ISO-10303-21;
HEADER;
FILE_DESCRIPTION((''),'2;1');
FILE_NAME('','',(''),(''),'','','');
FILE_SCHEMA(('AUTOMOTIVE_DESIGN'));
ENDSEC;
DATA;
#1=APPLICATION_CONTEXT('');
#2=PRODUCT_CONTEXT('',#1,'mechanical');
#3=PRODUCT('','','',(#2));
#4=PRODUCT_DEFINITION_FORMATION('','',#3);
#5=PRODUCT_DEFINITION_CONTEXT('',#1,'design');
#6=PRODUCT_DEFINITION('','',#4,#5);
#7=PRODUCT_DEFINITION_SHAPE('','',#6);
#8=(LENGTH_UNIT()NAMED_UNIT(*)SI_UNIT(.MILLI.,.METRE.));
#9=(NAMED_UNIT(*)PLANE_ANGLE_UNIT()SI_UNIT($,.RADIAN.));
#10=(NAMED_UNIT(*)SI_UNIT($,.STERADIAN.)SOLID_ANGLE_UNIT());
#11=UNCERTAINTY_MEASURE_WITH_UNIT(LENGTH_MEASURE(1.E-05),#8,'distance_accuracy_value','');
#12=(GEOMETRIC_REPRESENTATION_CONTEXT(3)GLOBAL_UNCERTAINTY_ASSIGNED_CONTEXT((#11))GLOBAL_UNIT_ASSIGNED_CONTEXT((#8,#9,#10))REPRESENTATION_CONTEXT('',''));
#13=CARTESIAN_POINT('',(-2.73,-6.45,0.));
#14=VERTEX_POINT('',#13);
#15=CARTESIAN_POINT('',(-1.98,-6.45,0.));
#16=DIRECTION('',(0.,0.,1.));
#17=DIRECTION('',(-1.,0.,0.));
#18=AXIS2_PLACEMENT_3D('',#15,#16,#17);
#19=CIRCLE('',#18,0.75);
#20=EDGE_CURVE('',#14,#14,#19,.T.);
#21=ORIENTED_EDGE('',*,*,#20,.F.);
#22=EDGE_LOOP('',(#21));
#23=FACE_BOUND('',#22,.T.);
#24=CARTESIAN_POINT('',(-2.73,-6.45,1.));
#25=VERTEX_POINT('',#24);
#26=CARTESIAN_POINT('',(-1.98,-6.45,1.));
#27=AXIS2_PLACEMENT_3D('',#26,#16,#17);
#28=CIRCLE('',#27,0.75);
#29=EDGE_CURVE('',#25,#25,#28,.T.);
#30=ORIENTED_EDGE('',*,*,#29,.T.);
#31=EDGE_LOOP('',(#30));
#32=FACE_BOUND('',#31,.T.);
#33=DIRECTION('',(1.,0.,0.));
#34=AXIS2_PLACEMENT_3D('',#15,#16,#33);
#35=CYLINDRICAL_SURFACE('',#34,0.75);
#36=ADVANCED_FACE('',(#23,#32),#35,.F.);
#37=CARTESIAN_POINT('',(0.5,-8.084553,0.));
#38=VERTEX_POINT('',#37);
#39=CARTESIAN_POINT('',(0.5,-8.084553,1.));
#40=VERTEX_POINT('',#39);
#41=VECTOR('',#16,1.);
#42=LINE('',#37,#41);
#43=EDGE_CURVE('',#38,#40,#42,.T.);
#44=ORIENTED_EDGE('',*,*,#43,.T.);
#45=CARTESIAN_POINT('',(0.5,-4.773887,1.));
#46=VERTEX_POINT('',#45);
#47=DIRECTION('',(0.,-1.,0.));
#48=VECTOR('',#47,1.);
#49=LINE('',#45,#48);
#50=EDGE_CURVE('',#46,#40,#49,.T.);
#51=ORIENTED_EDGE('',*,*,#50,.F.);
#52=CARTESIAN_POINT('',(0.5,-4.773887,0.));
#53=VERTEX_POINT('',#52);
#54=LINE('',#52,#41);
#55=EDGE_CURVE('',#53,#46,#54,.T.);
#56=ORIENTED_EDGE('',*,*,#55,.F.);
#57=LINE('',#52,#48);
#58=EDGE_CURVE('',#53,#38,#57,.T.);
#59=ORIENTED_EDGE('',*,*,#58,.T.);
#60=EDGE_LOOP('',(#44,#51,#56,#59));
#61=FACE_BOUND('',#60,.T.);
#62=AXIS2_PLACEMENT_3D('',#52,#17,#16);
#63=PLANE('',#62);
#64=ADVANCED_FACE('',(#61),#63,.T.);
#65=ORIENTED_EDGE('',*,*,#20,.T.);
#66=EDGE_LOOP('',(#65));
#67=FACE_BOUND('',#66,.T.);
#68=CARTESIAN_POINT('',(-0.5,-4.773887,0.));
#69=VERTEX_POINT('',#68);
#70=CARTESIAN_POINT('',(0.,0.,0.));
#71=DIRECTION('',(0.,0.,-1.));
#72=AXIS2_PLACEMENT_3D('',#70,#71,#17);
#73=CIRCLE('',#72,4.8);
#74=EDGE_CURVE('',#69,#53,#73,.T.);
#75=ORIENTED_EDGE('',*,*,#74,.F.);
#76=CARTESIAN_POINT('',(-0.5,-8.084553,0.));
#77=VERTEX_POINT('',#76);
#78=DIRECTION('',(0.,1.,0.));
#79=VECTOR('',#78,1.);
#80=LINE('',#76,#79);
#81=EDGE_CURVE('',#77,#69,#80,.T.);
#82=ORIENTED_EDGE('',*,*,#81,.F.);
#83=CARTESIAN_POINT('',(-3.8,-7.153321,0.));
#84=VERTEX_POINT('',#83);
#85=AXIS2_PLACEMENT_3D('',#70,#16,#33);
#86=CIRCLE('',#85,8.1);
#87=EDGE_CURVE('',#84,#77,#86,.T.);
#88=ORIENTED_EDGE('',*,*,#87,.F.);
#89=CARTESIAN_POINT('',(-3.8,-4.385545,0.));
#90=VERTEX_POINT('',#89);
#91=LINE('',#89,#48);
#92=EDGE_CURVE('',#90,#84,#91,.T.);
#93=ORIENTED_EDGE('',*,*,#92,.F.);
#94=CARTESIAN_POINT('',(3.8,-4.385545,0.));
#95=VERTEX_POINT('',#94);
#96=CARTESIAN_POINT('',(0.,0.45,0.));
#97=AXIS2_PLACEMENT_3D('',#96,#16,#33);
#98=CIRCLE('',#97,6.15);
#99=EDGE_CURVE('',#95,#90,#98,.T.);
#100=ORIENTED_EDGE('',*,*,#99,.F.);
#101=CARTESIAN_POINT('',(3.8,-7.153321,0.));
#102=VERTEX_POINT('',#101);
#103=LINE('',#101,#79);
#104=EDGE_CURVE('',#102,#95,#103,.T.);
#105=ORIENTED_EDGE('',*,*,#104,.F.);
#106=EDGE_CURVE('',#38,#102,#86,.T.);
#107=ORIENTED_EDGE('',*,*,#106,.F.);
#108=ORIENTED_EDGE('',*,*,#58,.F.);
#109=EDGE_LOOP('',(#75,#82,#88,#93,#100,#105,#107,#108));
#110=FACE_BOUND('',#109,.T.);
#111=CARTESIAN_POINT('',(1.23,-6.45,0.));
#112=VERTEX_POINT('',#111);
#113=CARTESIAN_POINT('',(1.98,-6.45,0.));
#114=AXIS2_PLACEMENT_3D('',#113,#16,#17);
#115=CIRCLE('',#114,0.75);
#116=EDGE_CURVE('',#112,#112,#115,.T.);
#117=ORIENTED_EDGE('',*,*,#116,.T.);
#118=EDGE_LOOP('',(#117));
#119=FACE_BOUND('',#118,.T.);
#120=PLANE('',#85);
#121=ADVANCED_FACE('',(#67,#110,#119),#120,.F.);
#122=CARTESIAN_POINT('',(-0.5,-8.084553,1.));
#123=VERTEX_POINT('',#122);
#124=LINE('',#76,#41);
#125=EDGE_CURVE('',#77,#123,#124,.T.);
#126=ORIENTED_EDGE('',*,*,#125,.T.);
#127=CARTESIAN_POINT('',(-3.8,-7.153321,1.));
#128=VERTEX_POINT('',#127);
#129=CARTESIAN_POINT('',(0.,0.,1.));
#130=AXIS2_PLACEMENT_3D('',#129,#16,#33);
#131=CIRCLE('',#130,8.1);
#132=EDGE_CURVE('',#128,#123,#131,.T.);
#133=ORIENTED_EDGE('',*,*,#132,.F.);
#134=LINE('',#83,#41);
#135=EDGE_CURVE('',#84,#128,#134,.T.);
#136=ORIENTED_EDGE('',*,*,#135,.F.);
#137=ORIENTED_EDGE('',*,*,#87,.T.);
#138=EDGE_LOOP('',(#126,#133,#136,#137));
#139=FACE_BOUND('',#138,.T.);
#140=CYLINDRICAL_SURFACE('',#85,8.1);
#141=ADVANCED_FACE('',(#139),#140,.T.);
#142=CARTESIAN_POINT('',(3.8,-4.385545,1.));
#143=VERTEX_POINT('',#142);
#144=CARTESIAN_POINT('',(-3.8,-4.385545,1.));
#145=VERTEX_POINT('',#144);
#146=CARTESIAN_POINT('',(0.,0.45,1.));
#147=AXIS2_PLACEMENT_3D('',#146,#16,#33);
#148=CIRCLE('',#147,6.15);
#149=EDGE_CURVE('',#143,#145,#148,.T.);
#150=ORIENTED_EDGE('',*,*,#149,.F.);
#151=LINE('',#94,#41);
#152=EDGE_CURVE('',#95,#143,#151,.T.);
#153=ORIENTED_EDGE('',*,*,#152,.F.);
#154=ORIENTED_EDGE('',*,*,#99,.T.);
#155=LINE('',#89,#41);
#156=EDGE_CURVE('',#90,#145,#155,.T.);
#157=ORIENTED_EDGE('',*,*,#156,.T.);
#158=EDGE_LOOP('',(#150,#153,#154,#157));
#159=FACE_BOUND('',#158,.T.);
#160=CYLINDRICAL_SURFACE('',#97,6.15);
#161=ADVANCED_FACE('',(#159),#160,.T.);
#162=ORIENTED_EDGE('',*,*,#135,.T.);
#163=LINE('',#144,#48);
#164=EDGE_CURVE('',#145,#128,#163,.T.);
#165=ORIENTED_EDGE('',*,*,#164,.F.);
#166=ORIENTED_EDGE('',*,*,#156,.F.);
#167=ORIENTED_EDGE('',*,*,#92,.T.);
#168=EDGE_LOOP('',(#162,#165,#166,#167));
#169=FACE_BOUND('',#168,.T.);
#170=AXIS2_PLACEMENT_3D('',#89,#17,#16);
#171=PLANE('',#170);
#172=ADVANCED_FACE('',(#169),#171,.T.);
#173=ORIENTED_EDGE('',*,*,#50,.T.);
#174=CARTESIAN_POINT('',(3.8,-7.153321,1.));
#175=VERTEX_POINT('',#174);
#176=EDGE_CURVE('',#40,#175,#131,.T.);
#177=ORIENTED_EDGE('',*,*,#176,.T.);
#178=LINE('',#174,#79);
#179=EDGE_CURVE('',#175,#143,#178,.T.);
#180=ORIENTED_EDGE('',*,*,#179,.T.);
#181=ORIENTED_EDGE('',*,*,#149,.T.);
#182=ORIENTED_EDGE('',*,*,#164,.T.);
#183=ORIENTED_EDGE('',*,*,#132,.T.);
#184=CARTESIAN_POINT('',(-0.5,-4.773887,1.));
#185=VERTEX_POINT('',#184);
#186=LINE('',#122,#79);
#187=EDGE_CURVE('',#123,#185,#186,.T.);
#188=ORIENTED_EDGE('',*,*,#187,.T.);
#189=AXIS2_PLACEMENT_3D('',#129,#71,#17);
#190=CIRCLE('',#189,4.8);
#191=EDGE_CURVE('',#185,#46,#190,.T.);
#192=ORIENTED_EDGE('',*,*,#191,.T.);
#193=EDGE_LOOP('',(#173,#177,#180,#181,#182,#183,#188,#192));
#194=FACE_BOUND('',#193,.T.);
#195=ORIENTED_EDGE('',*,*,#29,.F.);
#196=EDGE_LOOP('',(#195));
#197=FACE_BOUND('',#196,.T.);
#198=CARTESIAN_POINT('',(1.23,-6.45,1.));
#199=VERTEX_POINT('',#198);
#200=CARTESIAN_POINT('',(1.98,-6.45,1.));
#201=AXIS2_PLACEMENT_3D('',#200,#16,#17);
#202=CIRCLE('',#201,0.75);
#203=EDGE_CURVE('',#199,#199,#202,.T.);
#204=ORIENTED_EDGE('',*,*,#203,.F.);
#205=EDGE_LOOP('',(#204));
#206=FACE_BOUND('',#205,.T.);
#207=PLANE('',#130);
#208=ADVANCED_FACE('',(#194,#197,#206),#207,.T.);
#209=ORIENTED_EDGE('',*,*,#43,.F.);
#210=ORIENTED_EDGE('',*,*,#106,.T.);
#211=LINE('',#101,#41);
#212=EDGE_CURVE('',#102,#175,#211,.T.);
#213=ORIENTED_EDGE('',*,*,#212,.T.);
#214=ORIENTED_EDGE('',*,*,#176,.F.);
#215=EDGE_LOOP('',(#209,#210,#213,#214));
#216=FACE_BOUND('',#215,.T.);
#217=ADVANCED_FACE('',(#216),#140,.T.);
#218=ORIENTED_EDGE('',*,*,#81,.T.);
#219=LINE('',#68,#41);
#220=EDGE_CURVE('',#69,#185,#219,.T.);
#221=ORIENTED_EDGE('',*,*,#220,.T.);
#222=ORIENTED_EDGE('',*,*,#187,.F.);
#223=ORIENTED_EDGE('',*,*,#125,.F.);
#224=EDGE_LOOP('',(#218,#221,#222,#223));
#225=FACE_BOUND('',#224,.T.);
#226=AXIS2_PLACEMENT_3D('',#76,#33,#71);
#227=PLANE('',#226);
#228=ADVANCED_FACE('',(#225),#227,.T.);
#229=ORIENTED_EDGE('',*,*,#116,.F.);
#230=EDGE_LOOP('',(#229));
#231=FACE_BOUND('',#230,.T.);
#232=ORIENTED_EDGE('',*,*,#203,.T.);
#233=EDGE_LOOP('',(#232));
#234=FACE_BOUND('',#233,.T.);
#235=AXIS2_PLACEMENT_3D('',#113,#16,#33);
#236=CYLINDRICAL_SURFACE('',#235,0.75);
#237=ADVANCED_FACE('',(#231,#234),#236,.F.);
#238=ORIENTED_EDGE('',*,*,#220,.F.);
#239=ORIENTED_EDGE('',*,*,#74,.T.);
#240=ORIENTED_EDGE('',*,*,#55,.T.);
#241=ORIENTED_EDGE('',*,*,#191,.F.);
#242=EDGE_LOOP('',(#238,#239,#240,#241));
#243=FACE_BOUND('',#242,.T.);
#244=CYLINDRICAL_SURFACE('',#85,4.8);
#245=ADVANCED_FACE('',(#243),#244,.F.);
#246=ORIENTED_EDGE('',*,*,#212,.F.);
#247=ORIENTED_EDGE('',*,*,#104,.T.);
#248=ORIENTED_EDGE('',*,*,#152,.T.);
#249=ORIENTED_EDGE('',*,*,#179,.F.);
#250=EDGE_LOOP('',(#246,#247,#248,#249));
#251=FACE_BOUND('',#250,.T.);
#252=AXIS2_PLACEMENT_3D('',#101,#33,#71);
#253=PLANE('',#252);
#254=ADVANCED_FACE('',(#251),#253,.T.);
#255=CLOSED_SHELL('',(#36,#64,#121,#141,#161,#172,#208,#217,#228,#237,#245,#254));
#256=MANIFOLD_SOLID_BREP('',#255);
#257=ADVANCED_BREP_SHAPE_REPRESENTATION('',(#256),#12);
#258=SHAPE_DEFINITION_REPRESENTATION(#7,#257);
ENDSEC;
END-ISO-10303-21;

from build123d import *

# Parameters (mm, degrees)
SKIZZE1_R                       = 0.75
AUFSATZ_LINEAR_AUSTRAGEN1_DEPTH = 1


with BuildPart() as part:
    # Skizze1 → Aufsatz-Linear austragen1 (new body)
    with BuildSketch(Plane.XY.offset(1)):
        with BuildLine():
            Line((-0.5, -8.084553173), (-0.5, -4.773887305))
            ThreePointArc((-0.5, -4.773887305), (0, 4.8), (0.5, -4.773887305))
            Line((0.5, -4.773887305), (0.5, -8.084553173))
            ThreePointArc((0.5, -8.084553173), (2.199840536, -7.79555653), (3.8, -7.153320907))
            Line((3.8, -7.153320907), (3.8, -4.385545471))
            ThreePointArc((3.8, -4.385545471), (0, 6.6), (-3.8, -4.385545471))
            Line((-3.8, -4.385545471), (-3.8, -7.153320907))
            ThreePointArc((-3.8, -7.153320907), (-2.199840536, -7.79555653), (-0.5, -8.084553173))
        make_face()
        with Locations(Location((1.98, -6.45, 0), (0, 0, 180))):
            Circle(SKIZZE1_R, mode=Mode.SUBTRACT)
        with Locations(Location((-1.98, -6.45, 0), (0, 0, 180))):
            Circle(SKIZZE1_R, mode=Mode.SUBTRACT)
    extrude(amount=-AUFSATZ_LINEAR_AUSTRAGEN1_DEPTH)


solid = part.part
